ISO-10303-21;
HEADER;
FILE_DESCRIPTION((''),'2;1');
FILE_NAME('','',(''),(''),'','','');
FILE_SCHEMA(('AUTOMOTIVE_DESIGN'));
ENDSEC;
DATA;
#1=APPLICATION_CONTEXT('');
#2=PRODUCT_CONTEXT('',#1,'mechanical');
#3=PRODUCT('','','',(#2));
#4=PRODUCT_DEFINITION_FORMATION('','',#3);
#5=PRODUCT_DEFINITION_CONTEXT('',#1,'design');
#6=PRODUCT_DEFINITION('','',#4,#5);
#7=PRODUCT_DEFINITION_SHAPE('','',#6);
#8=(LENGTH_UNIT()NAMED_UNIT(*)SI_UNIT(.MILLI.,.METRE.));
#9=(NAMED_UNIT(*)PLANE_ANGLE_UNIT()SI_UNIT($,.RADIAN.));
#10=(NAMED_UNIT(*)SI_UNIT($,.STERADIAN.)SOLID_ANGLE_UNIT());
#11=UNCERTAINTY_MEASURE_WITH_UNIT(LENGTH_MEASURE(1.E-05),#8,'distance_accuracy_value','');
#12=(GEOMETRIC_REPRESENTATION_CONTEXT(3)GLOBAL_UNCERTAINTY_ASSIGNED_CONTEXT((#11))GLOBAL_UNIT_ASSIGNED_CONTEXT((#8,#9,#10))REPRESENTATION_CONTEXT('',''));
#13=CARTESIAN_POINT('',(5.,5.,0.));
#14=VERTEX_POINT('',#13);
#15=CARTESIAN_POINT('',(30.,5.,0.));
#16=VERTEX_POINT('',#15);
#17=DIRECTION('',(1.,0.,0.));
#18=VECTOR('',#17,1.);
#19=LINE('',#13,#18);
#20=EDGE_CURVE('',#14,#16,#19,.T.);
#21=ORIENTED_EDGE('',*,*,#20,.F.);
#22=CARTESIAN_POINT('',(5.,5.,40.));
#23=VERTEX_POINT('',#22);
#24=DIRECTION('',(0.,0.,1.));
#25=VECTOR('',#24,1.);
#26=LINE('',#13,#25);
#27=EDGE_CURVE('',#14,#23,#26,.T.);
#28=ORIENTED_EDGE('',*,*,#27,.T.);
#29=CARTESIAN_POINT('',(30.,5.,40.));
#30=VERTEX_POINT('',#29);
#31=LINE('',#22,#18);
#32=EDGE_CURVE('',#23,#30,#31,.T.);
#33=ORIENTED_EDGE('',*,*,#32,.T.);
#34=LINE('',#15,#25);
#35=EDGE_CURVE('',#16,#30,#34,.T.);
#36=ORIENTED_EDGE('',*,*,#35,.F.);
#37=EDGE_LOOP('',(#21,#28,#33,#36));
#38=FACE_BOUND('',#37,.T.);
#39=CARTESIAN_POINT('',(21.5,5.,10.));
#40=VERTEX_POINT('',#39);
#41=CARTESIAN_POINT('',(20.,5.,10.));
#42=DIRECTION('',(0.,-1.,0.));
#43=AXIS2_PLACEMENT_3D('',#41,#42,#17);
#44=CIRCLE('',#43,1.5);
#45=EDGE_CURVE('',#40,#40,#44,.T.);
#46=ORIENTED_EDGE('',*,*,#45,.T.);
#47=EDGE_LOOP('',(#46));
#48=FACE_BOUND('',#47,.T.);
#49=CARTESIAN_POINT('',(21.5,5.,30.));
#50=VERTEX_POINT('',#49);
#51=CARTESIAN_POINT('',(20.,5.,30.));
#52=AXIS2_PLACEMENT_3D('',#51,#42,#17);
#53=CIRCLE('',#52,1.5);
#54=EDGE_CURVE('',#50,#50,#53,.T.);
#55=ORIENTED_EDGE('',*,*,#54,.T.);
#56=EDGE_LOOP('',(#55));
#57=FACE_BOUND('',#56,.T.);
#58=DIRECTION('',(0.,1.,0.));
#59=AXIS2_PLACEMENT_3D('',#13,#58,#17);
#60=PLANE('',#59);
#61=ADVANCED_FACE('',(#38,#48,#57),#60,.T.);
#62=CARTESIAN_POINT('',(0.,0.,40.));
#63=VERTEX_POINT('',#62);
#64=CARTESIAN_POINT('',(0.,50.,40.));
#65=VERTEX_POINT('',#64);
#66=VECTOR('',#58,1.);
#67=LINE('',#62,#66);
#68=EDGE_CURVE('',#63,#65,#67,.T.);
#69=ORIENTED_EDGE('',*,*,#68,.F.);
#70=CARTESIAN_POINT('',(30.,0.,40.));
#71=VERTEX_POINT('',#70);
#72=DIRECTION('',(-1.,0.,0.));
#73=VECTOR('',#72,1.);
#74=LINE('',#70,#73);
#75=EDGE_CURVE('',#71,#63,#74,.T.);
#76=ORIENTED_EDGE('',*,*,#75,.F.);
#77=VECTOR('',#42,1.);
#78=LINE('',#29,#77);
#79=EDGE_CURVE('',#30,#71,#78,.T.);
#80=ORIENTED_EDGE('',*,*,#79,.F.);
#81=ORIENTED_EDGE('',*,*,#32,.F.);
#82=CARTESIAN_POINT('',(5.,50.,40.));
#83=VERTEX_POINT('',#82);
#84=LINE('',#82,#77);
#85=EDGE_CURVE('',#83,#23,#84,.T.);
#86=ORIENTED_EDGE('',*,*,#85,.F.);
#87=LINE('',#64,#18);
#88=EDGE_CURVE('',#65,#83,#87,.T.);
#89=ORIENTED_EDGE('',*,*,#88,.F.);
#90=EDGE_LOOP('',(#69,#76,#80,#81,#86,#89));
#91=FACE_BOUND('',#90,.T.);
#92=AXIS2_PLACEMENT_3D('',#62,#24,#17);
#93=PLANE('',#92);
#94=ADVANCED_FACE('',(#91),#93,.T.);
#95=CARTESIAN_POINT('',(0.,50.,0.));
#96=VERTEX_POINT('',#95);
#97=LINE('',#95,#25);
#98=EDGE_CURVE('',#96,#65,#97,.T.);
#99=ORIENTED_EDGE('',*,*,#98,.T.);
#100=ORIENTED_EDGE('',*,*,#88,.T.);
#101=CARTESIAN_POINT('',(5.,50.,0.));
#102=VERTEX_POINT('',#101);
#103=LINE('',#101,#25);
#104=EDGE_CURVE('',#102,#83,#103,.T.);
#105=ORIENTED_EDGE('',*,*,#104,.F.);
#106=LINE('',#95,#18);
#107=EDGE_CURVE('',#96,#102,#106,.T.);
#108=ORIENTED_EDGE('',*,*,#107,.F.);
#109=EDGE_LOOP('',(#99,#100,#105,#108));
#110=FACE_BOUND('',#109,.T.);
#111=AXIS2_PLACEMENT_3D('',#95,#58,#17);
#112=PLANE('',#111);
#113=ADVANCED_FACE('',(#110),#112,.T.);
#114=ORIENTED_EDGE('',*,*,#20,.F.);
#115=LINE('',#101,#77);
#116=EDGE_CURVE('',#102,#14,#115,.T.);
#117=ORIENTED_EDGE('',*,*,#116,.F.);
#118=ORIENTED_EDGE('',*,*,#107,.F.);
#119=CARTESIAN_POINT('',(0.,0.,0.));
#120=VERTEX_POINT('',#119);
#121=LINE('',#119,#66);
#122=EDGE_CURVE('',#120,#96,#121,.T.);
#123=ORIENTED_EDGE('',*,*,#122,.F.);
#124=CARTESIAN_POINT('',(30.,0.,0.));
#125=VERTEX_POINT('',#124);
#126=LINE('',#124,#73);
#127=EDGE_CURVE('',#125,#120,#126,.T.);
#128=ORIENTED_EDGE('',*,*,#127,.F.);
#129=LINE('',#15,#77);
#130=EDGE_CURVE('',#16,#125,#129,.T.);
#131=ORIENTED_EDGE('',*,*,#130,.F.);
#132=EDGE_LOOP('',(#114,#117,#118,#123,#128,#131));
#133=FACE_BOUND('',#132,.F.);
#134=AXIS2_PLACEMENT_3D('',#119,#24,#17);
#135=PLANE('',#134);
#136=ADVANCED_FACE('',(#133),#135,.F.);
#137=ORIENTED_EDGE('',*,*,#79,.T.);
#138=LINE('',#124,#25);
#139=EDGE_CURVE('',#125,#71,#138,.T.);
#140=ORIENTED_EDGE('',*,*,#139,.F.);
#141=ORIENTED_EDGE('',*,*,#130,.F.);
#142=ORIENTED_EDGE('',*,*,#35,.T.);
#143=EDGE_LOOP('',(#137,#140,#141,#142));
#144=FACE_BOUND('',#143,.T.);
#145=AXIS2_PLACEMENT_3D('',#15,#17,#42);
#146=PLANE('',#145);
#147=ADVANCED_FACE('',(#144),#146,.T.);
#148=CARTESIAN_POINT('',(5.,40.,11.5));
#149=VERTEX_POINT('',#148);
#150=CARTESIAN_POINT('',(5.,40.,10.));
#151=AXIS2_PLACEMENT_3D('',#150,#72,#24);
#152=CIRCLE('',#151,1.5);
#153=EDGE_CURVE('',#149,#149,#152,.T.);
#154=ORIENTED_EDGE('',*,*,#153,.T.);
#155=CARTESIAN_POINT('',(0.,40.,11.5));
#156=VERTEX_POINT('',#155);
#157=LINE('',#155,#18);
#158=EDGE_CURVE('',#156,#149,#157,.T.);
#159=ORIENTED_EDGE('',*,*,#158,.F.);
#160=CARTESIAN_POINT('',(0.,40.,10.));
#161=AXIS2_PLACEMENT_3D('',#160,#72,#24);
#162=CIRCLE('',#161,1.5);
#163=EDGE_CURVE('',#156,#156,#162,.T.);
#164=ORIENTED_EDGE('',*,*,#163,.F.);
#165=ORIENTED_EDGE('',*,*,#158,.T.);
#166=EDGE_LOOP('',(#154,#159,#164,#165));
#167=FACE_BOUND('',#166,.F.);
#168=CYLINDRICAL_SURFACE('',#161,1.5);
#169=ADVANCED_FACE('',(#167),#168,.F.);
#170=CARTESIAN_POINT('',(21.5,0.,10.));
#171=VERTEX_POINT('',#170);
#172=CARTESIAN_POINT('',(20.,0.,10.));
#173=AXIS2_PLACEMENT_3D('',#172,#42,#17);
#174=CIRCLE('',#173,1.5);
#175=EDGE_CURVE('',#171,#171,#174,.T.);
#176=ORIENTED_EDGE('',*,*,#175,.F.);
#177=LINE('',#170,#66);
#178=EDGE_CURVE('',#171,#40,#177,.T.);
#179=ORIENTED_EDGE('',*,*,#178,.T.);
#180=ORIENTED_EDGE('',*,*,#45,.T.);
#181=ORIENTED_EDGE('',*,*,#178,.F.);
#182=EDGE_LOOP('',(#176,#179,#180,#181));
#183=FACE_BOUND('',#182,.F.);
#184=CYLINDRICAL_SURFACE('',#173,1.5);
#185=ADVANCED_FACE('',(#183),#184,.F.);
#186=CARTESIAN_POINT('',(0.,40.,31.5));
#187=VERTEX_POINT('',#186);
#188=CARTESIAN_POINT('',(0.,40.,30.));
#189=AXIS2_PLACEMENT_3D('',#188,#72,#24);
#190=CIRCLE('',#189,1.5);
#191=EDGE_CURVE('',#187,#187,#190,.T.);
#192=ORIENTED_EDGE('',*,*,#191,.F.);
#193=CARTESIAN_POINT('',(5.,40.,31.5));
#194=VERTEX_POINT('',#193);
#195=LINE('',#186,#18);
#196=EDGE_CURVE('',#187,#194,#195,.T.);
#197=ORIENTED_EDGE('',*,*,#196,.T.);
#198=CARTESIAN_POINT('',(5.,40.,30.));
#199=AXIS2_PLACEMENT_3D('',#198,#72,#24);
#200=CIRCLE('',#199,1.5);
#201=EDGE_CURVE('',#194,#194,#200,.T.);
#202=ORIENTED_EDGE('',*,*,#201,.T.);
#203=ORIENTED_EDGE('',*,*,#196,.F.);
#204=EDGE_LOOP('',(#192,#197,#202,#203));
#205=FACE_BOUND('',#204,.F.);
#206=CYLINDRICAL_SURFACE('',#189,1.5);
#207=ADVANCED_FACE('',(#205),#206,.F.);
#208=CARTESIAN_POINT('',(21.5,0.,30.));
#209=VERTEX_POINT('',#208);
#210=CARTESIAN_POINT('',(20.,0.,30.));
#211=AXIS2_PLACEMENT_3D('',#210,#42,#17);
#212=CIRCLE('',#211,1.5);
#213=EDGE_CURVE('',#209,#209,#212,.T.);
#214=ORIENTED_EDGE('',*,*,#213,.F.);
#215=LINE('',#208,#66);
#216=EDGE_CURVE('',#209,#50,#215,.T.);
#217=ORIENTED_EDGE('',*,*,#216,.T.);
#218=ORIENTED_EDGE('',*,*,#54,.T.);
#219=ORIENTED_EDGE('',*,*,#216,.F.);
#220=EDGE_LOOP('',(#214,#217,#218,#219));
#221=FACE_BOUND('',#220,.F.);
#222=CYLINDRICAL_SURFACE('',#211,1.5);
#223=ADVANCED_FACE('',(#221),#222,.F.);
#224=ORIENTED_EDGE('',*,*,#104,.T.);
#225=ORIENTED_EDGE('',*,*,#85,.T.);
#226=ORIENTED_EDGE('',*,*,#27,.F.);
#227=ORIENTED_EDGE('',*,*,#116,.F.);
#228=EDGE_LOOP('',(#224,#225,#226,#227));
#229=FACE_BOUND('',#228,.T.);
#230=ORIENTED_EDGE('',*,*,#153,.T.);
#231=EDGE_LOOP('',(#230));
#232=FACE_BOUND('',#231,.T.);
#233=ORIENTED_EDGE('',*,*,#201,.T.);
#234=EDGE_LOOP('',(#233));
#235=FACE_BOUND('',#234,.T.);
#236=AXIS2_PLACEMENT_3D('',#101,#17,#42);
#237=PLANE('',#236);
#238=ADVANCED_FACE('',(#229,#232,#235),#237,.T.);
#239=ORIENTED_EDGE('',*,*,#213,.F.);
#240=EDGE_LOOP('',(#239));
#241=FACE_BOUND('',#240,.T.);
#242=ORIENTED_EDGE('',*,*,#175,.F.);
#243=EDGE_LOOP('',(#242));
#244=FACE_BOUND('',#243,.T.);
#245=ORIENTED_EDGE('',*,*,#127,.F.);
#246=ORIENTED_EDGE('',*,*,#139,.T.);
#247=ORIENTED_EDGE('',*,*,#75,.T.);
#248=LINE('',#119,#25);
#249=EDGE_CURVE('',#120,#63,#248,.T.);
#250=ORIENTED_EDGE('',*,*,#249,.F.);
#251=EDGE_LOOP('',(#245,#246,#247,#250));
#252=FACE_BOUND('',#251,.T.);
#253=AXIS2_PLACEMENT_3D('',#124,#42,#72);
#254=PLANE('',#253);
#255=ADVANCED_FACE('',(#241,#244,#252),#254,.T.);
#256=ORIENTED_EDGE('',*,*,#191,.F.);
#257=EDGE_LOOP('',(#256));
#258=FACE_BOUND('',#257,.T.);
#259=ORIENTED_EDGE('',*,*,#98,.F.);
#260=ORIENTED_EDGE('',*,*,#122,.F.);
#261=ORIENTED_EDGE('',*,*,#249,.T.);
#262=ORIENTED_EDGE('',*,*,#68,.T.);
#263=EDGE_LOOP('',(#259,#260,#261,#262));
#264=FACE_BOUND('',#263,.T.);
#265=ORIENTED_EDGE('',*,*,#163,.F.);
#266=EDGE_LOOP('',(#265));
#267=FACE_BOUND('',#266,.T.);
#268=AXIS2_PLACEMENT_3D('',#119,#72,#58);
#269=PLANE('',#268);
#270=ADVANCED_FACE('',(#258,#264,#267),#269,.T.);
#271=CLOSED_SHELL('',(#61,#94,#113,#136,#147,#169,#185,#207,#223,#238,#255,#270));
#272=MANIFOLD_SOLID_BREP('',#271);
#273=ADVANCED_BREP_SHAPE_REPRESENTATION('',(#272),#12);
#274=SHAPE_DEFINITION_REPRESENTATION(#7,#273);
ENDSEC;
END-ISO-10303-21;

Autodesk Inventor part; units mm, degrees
ref_plane "YZ Plane" through (0, 0, 0) normal (1, 0, 0) x (0, 1, 0)
ref_plane "XZ Plane" through (0, 0, 0) normal (0, 1, 0) x (-1, 0, 0)
ref_plane "XY Plane" through (0, 0, 0) normal (0, 0, 1) x (1, 0, 0)
sketch "Sketch1" plane through (0, 0, 0) normal (0, 0, 1) x (1, 0, 0)
  line L0 (0, 0) -> (0, 50)
  line L1 (0, 50) -> (5, 50)
  line L2 (5, 50) -> (5, 5)
  line L3 (5, 5) -> (30, 5)
  line L4 (30, 5) -> (30, 0)
  line L5 (30, 0) -> (0, 0)
  dimension "d0" = 50
  dimension "d1" = 5
  dimension "d2" = 45
  dimension "d3" = 25
  dimension "d4" = 5
extrude "Extrusion1" add sketch "Sketch1" along normal blind 40
sketch "Sketch2" plane through (0, 0, 0) normal (-1, 0, 0) x (0, 0, 1)
  circle A0 centre (10, 40) radius 1.5
  circle A1 centre (30, 40) radius 1.5
  point P0 (0, 0)
  dimension "d7" = 3
  dimension "d8" = 3
sketch "Sketch3" plane through (0, 0, 0) normal (-1, 0, 0) x (0, 0, 1)
  point P0 (0, 0)
extrude "Extrusion2" cut sketch "Sketch2" against normal through all
sketch "Sketch4" plane through (5, 5, 0) normal (0, 1, 0) x (1, 0, 0)
  point P0 (-5, 0)
sketch "Sketch5" plane through (0, 0, 0) normal (0, -1, 0) x (1, 0, 0)
  circle A0 centre (20, 30) radius 1.5
  circle A1 centre (20, 10) radius 1.5
  point P0 (0, 0)
  dimension "d11" = 3
  dimension "d12" = 3
extrude "Extrusion3" cut sketch "Sketch5" against normal through all
properties part number "moter support"
